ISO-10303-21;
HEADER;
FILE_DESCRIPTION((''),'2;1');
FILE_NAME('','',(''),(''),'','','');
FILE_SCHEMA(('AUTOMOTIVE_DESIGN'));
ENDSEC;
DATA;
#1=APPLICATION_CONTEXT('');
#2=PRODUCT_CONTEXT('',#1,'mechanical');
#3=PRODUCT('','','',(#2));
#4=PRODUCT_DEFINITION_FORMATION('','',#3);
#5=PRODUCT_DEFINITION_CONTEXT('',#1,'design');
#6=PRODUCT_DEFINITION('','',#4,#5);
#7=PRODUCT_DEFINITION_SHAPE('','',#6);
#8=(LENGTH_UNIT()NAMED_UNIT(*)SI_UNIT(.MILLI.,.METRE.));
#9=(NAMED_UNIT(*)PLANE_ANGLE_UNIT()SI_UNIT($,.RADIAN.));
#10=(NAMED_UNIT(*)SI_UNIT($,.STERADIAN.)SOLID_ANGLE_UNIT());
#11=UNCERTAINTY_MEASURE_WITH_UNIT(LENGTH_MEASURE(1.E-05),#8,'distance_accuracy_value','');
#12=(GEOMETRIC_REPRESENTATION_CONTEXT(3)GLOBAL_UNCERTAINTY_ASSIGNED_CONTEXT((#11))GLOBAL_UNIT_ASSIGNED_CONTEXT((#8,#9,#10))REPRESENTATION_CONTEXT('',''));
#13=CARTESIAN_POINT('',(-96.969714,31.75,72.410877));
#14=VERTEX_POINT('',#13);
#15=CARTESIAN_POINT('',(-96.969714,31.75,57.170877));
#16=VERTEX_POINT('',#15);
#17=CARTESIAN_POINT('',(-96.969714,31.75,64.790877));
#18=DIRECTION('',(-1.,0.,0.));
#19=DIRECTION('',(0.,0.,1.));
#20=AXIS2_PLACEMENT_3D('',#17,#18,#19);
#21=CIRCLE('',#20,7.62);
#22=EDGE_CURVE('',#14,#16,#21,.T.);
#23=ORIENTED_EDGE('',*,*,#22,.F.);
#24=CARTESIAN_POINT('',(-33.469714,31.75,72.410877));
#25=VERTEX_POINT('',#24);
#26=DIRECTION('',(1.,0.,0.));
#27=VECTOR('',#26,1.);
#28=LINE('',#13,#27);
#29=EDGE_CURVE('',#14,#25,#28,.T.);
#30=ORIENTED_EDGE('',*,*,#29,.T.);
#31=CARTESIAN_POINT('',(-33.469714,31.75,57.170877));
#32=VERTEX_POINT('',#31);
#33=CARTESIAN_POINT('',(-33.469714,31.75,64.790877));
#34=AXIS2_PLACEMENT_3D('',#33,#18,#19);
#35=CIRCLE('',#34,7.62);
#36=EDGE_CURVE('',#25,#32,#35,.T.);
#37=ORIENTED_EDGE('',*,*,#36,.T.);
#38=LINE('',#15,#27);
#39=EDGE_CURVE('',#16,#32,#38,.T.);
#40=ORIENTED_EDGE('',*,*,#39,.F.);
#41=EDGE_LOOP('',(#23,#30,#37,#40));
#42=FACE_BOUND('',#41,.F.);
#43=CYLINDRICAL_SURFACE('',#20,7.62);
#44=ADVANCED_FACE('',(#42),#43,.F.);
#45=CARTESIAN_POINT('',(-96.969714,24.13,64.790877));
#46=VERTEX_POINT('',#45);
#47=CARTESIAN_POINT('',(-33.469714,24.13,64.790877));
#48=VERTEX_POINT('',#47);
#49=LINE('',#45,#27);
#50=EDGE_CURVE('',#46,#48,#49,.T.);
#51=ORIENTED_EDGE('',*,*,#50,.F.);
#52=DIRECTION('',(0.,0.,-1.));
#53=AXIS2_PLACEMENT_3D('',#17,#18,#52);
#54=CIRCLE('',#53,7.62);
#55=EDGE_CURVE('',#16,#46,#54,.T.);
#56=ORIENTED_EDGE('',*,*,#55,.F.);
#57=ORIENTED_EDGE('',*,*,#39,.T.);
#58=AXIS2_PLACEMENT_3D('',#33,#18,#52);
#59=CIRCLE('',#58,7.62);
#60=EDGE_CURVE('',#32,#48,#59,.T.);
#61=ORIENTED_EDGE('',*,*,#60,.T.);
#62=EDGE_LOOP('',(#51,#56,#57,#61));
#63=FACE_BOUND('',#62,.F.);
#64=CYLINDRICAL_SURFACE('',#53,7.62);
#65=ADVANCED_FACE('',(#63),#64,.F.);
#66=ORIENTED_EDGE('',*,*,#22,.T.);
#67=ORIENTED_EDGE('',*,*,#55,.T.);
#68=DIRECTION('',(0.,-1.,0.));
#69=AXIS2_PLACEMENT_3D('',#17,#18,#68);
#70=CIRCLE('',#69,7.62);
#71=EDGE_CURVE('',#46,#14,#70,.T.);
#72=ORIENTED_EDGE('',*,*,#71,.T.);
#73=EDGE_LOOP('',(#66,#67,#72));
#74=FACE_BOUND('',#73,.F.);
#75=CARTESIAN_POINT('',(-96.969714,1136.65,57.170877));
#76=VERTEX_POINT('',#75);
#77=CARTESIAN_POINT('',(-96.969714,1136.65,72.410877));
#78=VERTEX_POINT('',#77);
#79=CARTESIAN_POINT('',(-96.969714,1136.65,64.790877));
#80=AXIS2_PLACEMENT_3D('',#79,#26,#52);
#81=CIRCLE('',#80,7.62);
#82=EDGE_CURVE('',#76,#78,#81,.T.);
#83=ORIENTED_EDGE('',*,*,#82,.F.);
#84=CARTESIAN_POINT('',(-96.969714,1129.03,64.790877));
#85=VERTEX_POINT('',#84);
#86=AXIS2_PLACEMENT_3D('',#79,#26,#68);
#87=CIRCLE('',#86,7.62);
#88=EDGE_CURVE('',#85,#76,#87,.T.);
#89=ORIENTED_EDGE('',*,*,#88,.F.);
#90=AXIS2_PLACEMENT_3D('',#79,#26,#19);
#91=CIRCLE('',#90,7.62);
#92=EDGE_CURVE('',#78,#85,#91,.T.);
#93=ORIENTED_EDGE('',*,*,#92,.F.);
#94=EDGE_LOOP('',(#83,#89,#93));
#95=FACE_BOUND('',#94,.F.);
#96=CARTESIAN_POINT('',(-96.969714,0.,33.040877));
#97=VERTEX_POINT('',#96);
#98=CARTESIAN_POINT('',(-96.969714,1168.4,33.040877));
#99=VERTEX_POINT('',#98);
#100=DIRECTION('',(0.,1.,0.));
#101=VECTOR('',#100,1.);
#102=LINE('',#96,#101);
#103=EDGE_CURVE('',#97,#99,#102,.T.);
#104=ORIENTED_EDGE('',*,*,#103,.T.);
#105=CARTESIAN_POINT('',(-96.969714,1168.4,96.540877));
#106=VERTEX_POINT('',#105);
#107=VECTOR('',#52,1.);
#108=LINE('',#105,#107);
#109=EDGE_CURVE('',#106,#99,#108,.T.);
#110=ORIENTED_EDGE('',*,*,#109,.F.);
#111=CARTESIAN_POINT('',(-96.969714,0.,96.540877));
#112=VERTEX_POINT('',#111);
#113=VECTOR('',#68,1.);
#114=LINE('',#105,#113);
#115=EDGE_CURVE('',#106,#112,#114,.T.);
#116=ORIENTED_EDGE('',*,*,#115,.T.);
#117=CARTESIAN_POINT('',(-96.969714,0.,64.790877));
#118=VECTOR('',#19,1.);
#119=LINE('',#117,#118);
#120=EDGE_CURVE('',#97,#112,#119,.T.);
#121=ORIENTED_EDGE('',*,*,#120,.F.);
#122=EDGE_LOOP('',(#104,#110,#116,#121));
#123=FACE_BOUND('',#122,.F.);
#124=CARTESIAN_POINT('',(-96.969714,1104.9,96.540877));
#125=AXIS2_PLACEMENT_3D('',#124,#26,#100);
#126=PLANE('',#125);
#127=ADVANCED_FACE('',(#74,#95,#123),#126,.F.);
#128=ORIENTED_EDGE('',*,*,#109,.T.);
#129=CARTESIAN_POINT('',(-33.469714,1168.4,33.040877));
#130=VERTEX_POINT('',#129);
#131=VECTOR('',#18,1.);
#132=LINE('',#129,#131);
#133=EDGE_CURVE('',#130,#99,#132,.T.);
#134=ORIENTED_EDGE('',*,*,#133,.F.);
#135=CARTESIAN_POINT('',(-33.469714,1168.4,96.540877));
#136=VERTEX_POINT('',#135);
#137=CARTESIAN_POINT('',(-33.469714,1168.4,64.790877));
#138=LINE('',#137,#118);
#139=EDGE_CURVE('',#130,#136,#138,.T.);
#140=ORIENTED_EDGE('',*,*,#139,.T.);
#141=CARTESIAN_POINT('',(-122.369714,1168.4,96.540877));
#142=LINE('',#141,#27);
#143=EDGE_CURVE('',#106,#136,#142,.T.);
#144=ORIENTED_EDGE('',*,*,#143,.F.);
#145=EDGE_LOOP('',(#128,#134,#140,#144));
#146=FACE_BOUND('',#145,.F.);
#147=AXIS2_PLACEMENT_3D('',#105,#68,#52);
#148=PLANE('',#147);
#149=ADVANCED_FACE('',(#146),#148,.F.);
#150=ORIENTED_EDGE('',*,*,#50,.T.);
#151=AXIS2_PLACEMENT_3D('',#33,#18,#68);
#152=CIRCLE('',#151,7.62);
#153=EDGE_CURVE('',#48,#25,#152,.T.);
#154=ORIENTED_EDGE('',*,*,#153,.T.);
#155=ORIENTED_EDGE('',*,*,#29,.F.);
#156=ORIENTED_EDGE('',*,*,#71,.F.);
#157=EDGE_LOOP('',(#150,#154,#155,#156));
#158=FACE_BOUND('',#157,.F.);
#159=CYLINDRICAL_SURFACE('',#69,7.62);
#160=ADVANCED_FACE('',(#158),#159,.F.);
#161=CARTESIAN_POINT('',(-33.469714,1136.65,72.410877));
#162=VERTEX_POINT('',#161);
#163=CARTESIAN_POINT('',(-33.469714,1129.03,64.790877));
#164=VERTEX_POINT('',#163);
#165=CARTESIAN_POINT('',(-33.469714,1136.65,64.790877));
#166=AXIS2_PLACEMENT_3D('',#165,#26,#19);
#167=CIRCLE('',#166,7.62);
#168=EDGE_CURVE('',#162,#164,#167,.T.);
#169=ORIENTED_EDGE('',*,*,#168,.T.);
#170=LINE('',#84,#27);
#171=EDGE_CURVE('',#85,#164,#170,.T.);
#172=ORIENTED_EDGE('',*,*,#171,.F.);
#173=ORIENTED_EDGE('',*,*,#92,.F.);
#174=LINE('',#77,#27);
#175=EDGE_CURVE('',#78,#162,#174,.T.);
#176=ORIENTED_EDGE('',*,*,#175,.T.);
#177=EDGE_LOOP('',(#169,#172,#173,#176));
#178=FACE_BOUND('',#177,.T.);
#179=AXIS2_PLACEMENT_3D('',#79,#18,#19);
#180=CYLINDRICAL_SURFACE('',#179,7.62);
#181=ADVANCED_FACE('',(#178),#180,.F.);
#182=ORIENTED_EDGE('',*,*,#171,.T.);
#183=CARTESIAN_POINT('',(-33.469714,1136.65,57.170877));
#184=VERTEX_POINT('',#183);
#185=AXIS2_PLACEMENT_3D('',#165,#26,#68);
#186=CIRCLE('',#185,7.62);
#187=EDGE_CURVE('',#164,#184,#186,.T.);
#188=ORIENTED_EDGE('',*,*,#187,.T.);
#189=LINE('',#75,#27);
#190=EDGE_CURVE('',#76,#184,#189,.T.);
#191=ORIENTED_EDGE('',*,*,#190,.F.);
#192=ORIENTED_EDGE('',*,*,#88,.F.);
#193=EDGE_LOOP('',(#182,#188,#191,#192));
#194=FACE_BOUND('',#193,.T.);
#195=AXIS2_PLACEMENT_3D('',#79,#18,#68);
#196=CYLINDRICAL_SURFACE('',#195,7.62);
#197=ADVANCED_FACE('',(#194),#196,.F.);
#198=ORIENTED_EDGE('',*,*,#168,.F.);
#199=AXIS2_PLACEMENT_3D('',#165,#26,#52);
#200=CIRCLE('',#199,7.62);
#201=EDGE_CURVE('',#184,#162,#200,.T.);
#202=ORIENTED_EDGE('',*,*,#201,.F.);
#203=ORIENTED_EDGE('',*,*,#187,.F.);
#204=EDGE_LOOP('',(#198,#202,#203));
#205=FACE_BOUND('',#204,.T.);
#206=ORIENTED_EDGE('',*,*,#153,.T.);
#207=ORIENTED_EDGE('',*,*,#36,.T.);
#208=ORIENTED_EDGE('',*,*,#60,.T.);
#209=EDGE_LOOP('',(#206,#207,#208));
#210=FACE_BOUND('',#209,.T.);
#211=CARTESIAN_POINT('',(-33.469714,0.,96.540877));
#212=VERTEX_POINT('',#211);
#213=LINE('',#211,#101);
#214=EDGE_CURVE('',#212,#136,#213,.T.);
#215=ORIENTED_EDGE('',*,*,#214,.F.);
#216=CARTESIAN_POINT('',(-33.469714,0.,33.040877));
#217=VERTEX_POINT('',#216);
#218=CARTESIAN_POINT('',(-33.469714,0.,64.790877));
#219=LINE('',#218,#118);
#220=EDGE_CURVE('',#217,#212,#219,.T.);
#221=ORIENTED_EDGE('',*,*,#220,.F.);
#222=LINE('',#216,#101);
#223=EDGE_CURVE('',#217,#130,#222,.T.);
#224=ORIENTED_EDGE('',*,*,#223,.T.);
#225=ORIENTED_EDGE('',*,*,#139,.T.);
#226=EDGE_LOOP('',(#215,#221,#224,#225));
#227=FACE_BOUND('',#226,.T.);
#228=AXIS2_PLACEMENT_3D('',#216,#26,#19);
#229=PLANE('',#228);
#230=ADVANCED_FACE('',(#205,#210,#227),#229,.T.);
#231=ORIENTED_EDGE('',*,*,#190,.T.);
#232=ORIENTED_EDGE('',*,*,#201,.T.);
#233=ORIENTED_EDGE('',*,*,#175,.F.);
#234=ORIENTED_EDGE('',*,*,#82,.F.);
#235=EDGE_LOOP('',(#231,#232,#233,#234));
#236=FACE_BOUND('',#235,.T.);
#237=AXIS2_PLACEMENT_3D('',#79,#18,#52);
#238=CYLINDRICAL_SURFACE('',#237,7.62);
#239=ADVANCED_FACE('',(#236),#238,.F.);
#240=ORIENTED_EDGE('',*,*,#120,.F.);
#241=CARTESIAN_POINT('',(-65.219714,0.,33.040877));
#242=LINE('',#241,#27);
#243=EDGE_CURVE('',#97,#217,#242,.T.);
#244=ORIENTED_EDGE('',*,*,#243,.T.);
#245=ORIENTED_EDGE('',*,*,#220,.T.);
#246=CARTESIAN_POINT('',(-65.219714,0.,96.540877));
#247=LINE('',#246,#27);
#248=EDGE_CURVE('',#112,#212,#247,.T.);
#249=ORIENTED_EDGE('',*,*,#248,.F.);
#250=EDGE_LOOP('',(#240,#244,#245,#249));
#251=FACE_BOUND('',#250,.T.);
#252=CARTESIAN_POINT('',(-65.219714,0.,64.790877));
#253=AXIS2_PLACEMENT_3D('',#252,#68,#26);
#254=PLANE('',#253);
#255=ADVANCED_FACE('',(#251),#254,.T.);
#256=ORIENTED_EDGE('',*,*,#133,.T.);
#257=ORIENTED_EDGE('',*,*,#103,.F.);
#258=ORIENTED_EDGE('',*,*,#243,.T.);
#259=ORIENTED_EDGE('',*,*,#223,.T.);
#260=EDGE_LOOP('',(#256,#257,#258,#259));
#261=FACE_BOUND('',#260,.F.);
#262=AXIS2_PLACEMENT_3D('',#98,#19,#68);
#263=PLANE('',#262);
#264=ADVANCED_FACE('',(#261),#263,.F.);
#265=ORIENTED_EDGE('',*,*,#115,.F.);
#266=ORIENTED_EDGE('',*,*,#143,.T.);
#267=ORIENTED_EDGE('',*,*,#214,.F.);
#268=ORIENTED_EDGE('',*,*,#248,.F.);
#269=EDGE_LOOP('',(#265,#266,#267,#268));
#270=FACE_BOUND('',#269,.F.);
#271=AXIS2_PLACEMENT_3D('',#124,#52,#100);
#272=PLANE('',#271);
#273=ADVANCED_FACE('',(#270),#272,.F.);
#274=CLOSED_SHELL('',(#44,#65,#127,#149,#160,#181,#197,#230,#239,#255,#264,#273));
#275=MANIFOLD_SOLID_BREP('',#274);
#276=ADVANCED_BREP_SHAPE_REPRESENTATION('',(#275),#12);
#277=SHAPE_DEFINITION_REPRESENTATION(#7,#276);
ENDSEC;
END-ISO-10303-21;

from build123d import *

# Parameters (mm, degrees)
F0_W     = 63.5
F0_H     = 63.5
F1_DEPTH = 1168.4
F3_DEPTH = 25.4
F4_DEPTH = 63.5
F5_W     = 25.4
F5_H     = 63.5
F6_DEPTH = 63.5
F8_DEPTH = 76.2


with BuildPart() as f1:
    # F0 (on Front) → F1 (new body)
    with BuildSketch(Plane.XZ):
        with Locations((-65.2197142243, 64.7908774316)):
            Rectangle(F0_W, F0_H)
    extrude(amount=-F1_DEPTH)

    # F2 (on face) → F3 (join)
    with BuildSketch(Plane(origin=(-96.9697142243, 0, 0), x_dir=(0, -1, 0), z_dir=(-1, 0, 0))):
        with BuildLine():
            Line((-1168.4, 96.5408774316), (-1168.4, 33.0408774316))
            Line((-1168.4, 33.0408774316), (-1136.65, 33.0408774316))
            Line((-1136.65, 33.0408774316), (-1136.65, 57.1708774316))
            ThreePointArc((-1136.65, 57.1708774316), (-1144.27, 64.7908774316), (-1136.65, 72.4108774316))
            Line((-1136.65, 72.4108774316), (-1136.65, 96.5408774316))
            Line((-1136.65, 96.5408774316), (-1168.4, 96.5408774316))
        make_face()
        with BuildLine():
            Line((-1136.65, 57.1708774316), (-1136.65, 33.0408774316))
            Line((-1136.65, 33.0408774316), (-1104.9, 33.0408774316))
            Line((-1104.9, 33.0408774316), (-1104.9, 96.5408774316))
            Line((-1104.9, 96.5408774316), (-1136.65, 96.5408774316))
            Line((-1136.65, 96.5408774316), (-1136.65, 72.4108774316))
            ThreePointArc((-1136.65, 72.4108774316), (-1131.2618463274, 70.1790311043), (-1129.03, 64.7908774316))
            ThreePointArc((-1129.03, 64.7908774316), (-1131.2618463274, 59.402723759), (-1136.65, 57.1708774316))
        make_face()
    extrude(amount=F3_DEPTH)

    # F4 (cut): a face of the model
    f4_faces = [f1.faces().sort_by_distance(p)[0] for p in [
        (-96.9697142243, 1136.65, 64.7908774316),
    ]]
    extrude(f4_faces, amount=-F4_DEPTH, mode=Mode.SUBTRACT)

    # F5 (on face) → F6 (cut)
    with BuildSketch(Plane.XY.offset(96.5408774316)):
        with Locations((-109.6697142243, 1136.65)):
            Rectangle(F5_W, F5_H)
    extrude(amount=-F6_DEPTH, mode=Mode.SUBTRACT)

    # F7 (on face) → F8 (cut)
    with BuildSketch(Plane(origin=(-96.9697142243, 0, 0), x_dir=(0, -1, 0), z_dir=(-1, 0, 0))):
        with BuildLine():
            ThreePointArc((-24.13, 64.7908774316), (-26.3618463274, 70.1790311043), (-31.75, 72.4108774316))
            Line((-31.75, 72.4108774316), (-31.75, 57.1708774316))
            ThreePointArc((-31.75, 57.1708774316), (-26.3618463274, 59.402723759), (-24.13, 64.7908774316))
        make_face()
        with BuildLine():
            Line((-31.75, 57.1708774316), (-31.75, 72.4108774316))
            ThreePointArc((-31.75, 72.4108774316), (-39.37, 64.7908774316), (-31.75, 57.1708774316))
        make_face()
    extrude(amount=-F8_DEPTH, mode=Mode.SUBTRACT)


solid = f1.part
